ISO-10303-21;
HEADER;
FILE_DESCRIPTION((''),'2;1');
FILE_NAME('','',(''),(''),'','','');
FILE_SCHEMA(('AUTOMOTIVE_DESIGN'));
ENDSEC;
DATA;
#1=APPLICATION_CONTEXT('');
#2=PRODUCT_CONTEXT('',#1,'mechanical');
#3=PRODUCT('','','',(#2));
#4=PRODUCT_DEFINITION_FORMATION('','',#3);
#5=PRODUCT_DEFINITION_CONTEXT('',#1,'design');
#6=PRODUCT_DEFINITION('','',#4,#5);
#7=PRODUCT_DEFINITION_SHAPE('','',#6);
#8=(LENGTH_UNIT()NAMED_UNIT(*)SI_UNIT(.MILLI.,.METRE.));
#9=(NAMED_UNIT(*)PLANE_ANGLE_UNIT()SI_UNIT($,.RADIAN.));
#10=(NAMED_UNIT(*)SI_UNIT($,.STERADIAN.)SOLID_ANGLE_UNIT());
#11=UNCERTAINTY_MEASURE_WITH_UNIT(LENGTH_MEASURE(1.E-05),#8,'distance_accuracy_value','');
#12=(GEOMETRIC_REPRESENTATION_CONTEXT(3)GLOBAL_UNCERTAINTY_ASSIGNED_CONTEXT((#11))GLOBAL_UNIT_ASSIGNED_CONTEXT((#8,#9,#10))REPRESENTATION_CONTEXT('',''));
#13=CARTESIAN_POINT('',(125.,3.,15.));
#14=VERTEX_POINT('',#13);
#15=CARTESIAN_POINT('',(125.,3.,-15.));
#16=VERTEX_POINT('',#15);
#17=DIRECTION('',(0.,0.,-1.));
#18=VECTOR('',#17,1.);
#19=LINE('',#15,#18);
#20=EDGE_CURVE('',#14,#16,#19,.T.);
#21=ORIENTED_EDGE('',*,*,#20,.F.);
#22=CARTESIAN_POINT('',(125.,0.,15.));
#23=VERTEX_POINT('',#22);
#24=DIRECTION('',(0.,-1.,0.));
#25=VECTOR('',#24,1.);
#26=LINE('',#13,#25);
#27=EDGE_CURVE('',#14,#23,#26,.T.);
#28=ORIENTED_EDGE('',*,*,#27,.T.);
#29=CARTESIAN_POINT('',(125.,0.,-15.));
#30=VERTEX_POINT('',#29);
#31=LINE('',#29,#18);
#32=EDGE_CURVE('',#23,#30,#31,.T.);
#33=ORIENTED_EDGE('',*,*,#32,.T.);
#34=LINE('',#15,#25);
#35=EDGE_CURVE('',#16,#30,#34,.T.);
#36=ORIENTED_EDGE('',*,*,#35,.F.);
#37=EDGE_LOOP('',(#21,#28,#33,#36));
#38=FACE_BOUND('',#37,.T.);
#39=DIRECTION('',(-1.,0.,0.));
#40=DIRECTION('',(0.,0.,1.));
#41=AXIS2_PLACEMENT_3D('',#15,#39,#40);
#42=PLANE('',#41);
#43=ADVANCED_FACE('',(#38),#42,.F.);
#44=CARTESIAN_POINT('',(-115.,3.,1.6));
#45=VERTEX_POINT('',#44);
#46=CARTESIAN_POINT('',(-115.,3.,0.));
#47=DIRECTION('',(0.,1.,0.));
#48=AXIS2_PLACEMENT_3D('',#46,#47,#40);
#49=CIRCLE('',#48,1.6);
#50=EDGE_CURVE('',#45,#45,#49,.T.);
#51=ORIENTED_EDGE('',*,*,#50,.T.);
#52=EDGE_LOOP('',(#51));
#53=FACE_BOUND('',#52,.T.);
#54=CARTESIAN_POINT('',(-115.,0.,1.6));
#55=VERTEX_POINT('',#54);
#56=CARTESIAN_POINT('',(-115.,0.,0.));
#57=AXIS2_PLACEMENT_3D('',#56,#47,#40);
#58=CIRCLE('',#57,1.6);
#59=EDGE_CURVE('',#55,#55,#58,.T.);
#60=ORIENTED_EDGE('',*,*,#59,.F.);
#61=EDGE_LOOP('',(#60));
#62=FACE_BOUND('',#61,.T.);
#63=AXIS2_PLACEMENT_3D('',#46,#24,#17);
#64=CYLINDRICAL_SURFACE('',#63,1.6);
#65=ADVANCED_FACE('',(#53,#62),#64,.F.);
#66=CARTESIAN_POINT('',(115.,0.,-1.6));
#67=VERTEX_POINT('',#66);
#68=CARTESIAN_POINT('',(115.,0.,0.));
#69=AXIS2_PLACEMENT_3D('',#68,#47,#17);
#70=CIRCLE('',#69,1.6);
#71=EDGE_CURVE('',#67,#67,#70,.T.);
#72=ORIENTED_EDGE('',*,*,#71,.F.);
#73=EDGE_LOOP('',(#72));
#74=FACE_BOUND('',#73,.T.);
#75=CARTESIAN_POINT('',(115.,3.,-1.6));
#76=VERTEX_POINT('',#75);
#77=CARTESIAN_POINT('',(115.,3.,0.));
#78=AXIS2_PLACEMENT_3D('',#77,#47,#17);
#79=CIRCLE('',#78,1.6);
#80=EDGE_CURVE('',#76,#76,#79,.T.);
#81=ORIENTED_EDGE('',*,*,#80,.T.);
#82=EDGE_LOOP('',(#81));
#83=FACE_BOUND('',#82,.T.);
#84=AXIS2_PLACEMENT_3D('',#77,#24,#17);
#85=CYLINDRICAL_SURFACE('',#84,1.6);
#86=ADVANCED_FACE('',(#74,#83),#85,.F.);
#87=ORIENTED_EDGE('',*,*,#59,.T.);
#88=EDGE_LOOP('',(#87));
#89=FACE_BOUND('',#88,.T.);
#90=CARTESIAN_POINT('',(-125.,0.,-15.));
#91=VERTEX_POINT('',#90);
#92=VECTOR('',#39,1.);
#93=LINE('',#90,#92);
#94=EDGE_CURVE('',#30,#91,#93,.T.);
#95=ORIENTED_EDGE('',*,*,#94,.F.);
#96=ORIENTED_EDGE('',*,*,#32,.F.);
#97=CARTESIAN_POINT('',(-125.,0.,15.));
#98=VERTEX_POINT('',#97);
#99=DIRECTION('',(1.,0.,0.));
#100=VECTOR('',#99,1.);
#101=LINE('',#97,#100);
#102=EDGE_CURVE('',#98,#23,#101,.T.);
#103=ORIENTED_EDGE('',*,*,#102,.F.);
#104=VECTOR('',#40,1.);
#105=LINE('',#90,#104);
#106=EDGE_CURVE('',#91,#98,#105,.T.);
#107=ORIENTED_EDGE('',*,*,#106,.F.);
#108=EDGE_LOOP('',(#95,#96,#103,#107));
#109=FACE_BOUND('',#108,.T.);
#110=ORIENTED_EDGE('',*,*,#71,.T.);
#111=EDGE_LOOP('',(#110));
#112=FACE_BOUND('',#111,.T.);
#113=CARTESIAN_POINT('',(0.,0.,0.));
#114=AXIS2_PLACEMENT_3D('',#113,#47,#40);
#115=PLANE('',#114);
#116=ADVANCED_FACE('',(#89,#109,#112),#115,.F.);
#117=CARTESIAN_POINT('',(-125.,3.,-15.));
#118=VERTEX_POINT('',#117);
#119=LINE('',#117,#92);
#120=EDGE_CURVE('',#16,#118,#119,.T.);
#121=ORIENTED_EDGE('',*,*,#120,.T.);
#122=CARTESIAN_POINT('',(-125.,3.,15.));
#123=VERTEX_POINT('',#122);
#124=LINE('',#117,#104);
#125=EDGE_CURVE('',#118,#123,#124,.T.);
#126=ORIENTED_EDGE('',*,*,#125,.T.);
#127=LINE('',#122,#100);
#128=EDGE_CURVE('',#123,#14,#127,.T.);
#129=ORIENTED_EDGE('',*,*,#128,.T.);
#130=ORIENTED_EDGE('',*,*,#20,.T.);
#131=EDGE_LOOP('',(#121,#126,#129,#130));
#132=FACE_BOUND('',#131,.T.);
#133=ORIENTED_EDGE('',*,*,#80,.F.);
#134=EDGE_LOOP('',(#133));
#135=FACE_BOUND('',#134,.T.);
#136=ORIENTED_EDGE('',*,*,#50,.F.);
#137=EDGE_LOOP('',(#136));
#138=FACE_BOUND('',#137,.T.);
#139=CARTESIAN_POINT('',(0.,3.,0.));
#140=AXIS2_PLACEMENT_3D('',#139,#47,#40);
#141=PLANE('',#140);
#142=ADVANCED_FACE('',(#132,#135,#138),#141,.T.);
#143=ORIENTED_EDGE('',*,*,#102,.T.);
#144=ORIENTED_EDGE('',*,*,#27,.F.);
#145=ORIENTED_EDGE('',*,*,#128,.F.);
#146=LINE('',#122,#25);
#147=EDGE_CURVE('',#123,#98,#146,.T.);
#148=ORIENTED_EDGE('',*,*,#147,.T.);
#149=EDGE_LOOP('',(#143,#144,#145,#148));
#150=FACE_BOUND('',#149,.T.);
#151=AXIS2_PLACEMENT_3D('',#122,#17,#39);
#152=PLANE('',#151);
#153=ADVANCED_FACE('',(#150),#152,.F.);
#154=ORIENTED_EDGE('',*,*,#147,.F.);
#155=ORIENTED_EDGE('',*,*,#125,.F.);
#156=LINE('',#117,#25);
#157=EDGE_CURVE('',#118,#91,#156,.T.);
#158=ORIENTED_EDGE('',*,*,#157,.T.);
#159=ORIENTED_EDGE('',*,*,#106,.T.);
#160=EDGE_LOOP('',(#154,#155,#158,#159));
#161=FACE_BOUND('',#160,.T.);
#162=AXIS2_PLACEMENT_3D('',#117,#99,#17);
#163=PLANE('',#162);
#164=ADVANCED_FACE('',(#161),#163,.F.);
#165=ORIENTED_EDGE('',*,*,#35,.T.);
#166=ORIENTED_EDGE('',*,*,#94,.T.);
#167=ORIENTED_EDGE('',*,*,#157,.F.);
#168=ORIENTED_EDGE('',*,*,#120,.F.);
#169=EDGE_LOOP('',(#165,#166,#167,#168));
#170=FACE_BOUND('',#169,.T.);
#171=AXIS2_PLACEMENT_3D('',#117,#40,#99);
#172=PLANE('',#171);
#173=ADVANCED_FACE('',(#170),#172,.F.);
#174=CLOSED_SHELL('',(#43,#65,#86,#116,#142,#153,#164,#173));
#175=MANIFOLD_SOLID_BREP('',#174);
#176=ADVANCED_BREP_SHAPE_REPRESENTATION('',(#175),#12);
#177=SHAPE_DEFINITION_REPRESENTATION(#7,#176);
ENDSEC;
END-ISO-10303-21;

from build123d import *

# Parameters (mm, degrees)
SKETCH1_W           = 250
SKETCH1_H           = 30
SKETCH1_R           = 1.6
BOSS_EXTRUDE1_DEPTH = 3


with BuildPart() as part:
    # Sketch1 → Boss-Extrude1 (new body)
    with BuildSketch(Plane(origin=(0, 0, 0), x_dir=(1, 0, 0), z_dir=(0, 1, 0))):
        Rectangle(SKETCH1_W, SKETCH1_H)
        with Locations((-115, 0)):
            Circle(SKETCH1_R, mode=Mode.SUBTRACT)
        with Locations((115, 0)):
            Circle(SKETCH1_R, mode=Mode.SUBTRACT)
    extrude(amount=BOSS_EXTRUDE1_DEPTH)


solid = part.part
